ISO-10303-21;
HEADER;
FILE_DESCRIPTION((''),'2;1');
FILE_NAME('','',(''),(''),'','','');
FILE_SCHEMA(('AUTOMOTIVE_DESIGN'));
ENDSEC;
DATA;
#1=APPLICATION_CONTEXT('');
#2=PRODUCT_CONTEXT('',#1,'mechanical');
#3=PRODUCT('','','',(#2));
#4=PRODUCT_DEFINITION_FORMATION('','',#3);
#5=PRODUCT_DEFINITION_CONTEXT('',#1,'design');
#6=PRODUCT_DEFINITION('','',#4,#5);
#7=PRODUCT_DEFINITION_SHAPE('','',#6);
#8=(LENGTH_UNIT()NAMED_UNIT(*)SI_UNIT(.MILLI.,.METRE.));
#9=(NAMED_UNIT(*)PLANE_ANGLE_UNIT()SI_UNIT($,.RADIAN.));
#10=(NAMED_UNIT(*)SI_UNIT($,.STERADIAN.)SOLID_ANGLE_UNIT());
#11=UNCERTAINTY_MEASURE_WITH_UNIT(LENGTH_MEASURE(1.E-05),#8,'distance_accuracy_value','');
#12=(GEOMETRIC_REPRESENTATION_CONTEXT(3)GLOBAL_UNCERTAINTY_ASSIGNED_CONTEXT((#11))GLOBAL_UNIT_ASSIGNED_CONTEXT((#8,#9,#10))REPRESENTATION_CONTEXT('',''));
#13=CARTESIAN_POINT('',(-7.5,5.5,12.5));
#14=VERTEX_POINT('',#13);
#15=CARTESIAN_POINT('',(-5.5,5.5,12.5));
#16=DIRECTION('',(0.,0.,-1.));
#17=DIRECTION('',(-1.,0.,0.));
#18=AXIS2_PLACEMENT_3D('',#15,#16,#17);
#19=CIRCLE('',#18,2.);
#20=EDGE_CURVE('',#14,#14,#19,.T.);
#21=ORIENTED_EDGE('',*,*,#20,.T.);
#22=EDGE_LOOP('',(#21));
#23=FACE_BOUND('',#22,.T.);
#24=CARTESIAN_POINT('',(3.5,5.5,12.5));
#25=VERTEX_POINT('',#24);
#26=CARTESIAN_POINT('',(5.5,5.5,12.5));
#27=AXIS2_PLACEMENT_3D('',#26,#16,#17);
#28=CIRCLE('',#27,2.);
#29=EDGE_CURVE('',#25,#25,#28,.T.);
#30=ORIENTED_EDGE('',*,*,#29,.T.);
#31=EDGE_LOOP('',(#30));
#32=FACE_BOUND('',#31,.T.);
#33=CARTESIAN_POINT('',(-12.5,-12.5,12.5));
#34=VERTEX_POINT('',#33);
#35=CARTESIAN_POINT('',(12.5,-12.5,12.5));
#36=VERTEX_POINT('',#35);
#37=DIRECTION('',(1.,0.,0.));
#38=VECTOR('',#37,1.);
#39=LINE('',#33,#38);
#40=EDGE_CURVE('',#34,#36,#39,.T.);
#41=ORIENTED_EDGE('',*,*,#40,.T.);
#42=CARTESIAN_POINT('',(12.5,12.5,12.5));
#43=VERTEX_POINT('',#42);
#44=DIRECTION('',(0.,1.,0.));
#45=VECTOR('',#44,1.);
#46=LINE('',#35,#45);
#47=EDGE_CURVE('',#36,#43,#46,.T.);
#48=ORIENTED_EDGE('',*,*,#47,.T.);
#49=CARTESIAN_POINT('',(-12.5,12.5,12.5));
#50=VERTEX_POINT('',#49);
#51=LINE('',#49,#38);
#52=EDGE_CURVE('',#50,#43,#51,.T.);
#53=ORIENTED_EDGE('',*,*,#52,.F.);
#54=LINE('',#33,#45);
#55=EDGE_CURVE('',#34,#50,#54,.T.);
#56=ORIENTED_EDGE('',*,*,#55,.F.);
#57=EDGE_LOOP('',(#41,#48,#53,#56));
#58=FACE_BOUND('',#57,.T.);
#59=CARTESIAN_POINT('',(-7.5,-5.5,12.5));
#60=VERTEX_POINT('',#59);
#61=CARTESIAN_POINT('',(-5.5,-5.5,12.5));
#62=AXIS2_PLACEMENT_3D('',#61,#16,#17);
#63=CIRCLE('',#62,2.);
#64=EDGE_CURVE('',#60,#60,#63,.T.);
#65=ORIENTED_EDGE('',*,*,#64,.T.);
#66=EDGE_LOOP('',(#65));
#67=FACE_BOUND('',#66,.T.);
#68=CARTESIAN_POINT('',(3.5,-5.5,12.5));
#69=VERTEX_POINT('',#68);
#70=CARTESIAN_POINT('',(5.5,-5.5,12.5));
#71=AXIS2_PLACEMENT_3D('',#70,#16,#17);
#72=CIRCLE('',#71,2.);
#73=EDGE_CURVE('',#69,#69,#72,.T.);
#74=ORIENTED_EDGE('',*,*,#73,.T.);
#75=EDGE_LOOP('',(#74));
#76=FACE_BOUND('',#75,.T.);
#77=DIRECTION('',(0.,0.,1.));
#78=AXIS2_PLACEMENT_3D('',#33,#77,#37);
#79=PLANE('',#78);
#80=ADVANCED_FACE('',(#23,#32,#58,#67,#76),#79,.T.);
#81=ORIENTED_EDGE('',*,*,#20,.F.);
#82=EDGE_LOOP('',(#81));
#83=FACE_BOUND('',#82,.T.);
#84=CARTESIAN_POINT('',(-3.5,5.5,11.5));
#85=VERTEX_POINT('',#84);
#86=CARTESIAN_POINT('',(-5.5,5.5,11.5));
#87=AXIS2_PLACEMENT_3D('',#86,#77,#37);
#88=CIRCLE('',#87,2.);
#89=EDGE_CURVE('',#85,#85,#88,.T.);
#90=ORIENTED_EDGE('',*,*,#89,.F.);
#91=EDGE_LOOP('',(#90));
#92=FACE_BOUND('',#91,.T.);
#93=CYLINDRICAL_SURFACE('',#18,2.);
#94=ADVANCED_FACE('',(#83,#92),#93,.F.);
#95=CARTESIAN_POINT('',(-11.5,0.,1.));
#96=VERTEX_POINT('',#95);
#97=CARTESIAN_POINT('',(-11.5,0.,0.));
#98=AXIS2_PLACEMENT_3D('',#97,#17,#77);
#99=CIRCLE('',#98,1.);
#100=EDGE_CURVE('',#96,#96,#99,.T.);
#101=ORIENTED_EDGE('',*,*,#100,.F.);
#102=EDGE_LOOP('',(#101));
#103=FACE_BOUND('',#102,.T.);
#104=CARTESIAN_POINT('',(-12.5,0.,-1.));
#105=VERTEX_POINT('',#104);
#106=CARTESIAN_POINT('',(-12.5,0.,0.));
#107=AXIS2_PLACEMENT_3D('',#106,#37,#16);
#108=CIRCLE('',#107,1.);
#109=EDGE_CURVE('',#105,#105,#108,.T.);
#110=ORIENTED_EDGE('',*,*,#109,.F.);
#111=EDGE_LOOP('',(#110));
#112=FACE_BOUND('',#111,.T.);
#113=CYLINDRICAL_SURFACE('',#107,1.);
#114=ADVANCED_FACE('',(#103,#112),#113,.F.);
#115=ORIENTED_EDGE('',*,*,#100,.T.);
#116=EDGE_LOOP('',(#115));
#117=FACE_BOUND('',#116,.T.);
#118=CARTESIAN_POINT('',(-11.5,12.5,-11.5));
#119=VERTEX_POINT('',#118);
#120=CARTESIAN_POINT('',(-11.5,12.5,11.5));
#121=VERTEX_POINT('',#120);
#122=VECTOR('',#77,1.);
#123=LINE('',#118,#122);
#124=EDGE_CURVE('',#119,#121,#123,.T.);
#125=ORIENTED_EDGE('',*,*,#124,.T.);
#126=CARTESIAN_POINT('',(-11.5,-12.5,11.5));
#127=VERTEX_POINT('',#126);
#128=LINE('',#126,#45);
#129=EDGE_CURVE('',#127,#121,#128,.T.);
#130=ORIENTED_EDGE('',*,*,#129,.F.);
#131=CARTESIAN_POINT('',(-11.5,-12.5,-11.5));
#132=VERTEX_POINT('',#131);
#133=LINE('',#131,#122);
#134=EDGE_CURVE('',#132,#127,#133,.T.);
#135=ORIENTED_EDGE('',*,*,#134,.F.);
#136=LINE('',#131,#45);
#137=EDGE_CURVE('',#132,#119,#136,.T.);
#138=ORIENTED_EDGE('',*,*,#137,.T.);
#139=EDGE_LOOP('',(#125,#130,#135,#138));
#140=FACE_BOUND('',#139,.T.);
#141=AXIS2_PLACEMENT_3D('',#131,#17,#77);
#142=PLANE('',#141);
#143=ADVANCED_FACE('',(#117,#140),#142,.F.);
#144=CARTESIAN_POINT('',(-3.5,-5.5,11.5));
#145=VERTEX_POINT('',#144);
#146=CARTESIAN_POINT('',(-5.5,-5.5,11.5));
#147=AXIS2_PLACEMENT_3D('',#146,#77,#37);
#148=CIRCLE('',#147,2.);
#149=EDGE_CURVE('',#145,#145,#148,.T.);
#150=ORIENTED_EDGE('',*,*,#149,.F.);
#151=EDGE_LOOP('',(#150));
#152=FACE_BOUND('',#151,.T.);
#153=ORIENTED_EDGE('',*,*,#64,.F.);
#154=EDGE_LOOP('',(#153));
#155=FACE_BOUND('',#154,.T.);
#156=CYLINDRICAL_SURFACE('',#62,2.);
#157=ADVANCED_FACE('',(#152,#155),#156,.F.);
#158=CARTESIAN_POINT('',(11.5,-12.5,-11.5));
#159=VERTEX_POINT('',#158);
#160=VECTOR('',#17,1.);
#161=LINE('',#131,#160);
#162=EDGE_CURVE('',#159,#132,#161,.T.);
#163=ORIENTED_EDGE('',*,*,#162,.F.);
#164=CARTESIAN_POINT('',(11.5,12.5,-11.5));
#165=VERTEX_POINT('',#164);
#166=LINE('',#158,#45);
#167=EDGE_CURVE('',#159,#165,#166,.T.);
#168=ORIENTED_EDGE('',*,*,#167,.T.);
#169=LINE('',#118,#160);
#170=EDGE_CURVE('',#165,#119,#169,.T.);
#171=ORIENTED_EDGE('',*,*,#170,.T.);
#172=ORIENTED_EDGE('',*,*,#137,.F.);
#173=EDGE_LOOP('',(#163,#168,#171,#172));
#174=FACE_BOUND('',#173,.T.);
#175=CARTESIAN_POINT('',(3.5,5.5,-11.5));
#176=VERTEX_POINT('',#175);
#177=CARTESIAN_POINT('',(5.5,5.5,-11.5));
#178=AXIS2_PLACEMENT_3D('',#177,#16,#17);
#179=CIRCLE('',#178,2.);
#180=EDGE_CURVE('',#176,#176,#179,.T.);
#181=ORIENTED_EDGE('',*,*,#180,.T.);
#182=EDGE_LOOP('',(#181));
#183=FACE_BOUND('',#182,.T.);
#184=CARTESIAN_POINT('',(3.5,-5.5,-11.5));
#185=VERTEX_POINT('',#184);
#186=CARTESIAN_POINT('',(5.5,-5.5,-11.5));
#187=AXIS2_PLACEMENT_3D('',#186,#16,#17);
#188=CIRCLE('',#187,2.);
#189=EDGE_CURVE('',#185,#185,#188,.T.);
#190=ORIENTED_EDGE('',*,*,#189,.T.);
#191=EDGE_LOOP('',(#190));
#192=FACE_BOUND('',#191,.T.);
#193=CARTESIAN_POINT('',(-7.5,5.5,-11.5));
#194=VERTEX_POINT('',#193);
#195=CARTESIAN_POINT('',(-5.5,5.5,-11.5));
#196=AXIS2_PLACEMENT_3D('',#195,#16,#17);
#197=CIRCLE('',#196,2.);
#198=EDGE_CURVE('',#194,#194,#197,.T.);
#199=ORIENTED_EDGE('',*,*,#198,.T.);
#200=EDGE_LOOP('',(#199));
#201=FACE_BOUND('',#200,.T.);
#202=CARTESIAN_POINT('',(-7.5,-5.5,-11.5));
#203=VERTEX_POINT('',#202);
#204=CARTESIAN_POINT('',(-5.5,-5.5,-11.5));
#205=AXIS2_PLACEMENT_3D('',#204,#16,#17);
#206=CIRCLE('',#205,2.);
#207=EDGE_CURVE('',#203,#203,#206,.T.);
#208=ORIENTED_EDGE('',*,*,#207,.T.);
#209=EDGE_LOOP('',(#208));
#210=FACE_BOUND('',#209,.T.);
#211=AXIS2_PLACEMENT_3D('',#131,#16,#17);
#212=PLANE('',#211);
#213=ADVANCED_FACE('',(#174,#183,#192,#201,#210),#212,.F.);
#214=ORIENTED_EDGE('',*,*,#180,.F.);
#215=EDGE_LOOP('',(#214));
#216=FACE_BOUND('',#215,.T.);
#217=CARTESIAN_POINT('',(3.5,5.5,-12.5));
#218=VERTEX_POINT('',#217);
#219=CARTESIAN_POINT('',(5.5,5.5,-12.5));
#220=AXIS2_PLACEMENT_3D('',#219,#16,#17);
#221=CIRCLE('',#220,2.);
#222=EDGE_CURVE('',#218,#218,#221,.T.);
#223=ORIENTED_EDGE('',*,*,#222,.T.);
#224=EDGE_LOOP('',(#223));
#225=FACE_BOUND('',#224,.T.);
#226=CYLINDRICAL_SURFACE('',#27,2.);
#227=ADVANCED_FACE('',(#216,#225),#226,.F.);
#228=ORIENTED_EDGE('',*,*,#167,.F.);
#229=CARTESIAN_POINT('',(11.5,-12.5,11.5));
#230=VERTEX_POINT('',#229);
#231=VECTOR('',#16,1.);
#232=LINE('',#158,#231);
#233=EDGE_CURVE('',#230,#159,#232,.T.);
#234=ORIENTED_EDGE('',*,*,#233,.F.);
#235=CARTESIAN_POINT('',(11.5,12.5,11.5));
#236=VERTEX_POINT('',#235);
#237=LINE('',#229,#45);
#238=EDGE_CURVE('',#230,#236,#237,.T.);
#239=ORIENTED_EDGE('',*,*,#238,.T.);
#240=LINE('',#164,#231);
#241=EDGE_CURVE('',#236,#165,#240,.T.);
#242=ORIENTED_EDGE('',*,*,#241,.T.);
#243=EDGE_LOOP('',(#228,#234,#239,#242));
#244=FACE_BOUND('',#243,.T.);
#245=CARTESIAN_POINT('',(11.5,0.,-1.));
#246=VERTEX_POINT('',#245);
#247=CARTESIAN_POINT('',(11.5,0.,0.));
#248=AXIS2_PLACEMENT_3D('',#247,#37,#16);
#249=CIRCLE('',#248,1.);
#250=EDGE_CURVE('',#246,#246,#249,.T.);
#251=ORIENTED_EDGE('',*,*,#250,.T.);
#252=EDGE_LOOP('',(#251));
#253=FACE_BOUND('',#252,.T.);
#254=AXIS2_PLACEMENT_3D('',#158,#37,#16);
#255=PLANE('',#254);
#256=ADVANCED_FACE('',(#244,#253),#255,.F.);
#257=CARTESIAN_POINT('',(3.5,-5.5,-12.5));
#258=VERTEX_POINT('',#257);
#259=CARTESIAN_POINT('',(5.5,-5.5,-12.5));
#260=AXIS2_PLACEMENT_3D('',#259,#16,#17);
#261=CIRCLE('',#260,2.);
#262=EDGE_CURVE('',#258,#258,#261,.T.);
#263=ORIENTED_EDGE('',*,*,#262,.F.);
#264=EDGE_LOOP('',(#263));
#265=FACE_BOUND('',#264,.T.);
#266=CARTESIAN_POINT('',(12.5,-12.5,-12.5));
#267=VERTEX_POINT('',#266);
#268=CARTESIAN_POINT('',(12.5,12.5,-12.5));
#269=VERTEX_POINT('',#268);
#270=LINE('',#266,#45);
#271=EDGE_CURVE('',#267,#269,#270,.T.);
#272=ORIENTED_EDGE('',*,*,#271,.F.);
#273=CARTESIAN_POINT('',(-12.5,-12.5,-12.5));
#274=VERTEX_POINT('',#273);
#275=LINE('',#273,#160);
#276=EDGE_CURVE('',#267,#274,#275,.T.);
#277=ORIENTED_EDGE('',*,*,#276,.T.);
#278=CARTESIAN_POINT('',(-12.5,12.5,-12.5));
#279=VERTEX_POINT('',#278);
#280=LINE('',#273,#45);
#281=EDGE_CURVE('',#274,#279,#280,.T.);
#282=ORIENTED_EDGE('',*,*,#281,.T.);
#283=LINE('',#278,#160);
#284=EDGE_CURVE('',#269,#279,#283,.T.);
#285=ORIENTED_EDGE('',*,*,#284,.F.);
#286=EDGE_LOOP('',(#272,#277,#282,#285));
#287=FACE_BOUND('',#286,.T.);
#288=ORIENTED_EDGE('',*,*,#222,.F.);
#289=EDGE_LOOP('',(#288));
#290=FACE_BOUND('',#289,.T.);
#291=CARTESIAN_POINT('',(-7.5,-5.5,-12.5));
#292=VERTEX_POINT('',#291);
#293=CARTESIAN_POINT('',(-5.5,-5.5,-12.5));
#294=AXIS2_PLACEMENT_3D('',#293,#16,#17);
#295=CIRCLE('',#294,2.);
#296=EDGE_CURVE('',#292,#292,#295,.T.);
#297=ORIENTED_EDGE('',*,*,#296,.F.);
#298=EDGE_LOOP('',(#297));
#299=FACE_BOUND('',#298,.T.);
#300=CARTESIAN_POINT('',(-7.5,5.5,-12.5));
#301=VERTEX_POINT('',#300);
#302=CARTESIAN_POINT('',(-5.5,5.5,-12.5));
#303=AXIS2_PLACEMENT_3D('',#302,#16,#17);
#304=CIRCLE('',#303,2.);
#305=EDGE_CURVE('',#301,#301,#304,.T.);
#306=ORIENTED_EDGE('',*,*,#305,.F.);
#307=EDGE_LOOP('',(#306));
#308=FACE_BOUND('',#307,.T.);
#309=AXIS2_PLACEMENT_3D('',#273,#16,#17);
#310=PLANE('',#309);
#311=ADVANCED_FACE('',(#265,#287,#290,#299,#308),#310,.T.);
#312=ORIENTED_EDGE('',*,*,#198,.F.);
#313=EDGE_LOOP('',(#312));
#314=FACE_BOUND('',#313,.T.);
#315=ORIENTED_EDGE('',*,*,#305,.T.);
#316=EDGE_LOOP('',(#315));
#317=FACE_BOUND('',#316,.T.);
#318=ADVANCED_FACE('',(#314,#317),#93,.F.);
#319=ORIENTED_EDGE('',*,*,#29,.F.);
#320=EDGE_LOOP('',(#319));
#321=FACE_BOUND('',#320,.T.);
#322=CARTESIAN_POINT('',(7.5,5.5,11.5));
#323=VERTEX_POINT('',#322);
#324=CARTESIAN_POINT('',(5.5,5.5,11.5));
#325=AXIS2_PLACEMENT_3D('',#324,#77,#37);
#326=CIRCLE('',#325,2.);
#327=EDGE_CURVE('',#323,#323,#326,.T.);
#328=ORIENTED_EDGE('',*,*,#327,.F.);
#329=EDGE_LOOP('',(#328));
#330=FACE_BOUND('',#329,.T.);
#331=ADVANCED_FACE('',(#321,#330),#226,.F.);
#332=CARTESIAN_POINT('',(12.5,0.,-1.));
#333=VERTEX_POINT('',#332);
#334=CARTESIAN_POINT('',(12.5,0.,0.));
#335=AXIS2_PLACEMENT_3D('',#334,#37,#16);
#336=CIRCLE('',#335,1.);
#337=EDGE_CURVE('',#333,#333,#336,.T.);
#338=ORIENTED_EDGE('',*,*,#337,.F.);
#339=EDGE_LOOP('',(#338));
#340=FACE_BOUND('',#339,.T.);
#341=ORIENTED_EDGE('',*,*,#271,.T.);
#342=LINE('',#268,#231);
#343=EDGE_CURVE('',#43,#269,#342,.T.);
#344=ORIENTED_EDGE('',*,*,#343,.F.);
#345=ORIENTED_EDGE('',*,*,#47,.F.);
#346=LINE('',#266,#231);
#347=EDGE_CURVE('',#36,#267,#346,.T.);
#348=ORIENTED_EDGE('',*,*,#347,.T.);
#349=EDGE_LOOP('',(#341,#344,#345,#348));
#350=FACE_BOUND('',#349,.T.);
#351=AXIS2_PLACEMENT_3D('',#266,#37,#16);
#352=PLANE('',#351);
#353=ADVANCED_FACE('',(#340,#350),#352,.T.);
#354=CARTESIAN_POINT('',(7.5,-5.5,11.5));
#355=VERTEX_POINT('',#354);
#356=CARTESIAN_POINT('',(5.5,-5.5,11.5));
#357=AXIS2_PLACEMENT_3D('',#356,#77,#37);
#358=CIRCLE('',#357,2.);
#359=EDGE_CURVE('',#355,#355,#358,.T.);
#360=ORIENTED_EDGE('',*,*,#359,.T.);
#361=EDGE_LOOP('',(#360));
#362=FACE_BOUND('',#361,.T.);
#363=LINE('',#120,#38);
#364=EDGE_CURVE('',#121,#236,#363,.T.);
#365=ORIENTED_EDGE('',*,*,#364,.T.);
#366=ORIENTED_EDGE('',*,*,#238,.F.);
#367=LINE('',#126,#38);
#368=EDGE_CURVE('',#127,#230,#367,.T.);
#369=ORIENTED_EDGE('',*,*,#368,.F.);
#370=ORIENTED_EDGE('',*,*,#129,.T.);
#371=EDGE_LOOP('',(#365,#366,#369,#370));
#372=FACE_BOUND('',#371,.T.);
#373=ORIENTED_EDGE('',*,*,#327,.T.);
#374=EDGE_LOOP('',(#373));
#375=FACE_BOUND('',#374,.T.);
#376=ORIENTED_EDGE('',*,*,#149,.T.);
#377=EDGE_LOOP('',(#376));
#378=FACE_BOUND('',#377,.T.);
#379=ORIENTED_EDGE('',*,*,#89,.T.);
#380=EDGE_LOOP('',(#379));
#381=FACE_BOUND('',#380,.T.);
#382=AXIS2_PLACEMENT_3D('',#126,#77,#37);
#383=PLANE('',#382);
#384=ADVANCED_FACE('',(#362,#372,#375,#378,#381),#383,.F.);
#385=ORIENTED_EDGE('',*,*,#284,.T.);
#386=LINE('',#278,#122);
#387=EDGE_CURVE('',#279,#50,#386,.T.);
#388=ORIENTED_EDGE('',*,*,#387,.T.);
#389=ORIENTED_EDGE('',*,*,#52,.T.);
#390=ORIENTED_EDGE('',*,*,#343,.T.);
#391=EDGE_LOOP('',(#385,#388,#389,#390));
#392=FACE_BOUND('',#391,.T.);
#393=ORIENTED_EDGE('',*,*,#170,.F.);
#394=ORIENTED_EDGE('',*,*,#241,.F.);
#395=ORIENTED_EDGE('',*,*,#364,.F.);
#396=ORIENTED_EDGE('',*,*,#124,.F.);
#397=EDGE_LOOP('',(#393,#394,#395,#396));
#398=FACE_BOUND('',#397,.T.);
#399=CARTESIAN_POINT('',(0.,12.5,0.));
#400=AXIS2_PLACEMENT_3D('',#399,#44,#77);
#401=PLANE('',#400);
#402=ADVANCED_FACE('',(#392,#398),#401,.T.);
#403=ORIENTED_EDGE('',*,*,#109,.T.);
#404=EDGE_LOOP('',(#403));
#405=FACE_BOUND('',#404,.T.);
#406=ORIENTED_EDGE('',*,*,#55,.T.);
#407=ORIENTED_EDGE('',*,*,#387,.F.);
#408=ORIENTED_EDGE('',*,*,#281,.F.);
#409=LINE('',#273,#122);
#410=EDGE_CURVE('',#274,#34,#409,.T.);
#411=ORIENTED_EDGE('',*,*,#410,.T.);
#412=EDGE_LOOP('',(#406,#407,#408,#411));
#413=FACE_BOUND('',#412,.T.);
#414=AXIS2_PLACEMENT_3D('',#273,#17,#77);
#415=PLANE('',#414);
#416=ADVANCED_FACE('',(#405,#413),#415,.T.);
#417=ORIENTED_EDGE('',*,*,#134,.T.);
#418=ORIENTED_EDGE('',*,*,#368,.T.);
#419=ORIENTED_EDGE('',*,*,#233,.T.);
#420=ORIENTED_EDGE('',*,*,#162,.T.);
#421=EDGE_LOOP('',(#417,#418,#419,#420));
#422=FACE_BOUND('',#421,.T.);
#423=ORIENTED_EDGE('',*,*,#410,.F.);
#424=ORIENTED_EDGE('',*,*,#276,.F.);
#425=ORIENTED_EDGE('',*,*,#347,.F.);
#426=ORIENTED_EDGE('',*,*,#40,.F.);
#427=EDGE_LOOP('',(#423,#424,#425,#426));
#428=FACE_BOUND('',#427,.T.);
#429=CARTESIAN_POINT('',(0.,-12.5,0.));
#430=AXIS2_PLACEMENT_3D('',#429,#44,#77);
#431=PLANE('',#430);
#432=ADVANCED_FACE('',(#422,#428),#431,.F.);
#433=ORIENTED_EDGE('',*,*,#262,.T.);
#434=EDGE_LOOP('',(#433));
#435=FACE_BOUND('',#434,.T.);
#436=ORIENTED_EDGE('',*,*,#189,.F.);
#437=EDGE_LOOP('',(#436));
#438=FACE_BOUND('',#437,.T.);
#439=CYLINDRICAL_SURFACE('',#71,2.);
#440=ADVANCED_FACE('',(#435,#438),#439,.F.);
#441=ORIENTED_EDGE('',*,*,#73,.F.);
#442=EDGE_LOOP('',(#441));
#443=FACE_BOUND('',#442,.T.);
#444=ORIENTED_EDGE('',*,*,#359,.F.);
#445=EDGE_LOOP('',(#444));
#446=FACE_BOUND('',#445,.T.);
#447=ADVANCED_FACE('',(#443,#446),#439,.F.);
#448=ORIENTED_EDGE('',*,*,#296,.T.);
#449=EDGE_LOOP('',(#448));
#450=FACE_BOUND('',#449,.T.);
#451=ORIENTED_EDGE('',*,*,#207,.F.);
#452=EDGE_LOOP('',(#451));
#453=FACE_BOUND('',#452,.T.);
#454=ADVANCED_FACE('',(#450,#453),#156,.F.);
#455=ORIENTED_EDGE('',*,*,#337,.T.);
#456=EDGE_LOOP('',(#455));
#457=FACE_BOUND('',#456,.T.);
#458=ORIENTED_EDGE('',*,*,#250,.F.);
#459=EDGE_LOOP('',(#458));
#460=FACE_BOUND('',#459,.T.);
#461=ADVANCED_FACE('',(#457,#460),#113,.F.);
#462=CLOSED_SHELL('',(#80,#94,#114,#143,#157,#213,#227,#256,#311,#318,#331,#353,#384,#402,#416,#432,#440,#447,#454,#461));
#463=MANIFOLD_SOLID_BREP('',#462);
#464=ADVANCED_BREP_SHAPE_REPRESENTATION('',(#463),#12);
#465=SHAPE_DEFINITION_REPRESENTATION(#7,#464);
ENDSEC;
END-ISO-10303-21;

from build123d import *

# Parameters (mm, degrees)
BOSS_EXTRUDE1_DEPTH      = 12.5
BOSS_EXTRUDE1_DEPTH_BACK = 12.5
SKETCH1_W                = 25
SKETCH1_H                = 25
SKETCH1_W_2              = 23
SKETCH1_H_2              = 23
SKETCH2_R                = 2
CUT_EXTRUDE1_DEPTH       = 25
SKETCH3_R                = 1
CUT_EXTRUDE2_DEPTH       = 25


with BuildPart() as part:
    # Sketch1 → Boss-Extrude1 (new, two sides: drawn at the far end of the back side and taken through both)
    with BuildSketch(Plane(origin=(0, 0, 0), x_dir=(1, 0, 0), z_dir=(0, 1, 0)).offset(-BOSS_EXTRUDE1_DEPTH_BACK)):
        Rectangle(SKETCH1_W, SKETCH1_H)
        Rectangle(SKETCH1_W_2, SKETCH1_H_2, mode=Mode.SUBTRACT)
    extrude(amount=BOSS_EXTRUDE1_DEPTH + BOSS_EXTRUDE1_DEPTH_BACK)

    # Sketch2 → Cut-Extrude1 (cut)
    with BuildSketch(Plane(origin=(0, 0, -12.5), x_dir=(-1, 0, 0), z_dir=(0, 0, -1))):
        with Locations((5.5, 5.5)):
            Circle(SKETCH2_R)
        with Locations((5.5, -5.5)):
            Circle(SKETCH2_R)
        with Locations((-5.5, -5.5)):
            Circle(SKETCH2_R)
        with Locations((-5.5, 5.5)):
            Circle(SKETCH2_R)
    extrude(amount=-CUT_EXTRUDE1_DEPTH, mode=Mode.SUBTRACT)

    # Sketch3 → Cut-Extrude2 (cut)
    with BuildSketch(Plane(origin=(12.5, 0, 0), x_dir=(0, 0, -1), z_dir=(1, 0, 0))):
        Circle(SKETCH3_R)
    extrude(amount=-CUT_EXTRUDE2_DEPTH, mode=Mode.SUBTRACT)


solid = part.part
